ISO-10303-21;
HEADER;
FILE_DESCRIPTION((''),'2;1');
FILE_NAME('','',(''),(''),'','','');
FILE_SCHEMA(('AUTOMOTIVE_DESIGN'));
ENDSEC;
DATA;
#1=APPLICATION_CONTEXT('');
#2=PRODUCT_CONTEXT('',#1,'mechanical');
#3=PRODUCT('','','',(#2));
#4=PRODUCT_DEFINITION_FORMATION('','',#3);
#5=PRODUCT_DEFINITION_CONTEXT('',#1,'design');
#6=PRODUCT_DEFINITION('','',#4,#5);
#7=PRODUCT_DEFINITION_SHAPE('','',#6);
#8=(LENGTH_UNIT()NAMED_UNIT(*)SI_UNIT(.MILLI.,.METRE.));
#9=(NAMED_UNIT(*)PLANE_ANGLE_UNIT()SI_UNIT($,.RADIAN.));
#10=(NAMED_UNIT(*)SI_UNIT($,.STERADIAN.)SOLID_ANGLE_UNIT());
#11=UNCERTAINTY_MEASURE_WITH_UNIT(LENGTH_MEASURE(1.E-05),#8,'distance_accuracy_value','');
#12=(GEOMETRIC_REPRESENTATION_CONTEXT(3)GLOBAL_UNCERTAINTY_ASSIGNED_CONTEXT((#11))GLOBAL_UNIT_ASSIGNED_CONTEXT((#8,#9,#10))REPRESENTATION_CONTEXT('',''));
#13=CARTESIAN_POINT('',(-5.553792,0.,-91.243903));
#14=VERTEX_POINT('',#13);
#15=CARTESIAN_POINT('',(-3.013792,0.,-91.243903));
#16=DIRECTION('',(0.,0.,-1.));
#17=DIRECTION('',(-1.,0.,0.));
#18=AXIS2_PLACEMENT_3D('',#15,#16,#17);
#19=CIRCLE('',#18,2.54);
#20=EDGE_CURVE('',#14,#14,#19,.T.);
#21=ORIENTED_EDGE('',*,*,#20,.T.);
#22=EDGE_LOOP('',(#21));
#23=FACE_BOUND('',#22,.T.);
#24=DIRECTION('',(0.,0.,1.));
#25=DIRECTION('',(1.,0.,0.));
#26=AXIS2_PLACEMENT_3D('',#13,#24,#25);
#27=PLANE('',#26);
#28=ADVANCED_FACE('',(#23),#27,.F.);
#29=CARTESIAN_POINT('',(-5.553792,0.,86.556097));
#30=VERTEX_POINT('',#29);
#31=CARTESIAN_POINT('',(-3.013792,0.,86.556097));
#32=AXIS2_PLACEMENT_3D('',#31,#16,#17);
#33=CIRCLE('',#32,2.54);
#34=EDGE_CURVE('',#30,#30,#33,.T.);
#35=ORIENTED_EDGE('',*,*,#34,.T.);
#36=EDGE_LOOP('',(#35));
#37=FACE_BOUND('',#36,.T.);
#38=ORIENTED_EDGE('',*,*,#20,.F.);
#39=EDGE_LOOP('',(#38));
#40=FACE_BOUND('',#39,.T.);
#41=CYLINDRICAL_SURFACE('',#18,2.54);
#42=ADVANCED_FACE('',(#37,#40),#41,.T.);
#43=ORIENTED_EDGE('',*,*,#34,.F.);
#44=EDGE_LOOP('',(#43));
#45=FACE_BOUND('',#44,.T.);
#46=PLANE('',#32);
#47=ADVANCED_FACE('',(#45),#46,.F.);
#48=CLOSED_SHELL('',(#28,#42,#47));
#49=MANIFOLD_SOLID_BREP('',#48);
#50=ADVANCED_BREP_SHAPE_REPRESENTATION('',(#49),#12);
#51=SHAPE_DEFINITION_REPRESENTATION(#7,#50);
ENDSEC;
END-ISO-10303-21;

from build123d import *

# Parameters (mm, degrees)
SKETCH1_W = 2.54
SKETCH1_H = 177.8


with BuildPart() as part:
    # Sketch1 → Revolve-Thin1 (revolve)
    with BuildSketch(Plane(origin=(0, 0, 0), x_dir=(1, 0, 0), z_dir=(0, 1, 0)), mode=Mode.PRIVATE) as revolve_thin1_sk:
        with Locations((-1.743791677, 2.343903032)):
            Rectangle(SKETCH1_W, SKETCH1_H)
    revolve(revolve_thin1_sk.sketch.rotate(Axis((-3.013791677, 0, -91.243903032), (0, 0, 1)), 180), axis=Axis((-3.013791677, 0, -91.243903032), (0, 0, 1)))


solid = part.part
